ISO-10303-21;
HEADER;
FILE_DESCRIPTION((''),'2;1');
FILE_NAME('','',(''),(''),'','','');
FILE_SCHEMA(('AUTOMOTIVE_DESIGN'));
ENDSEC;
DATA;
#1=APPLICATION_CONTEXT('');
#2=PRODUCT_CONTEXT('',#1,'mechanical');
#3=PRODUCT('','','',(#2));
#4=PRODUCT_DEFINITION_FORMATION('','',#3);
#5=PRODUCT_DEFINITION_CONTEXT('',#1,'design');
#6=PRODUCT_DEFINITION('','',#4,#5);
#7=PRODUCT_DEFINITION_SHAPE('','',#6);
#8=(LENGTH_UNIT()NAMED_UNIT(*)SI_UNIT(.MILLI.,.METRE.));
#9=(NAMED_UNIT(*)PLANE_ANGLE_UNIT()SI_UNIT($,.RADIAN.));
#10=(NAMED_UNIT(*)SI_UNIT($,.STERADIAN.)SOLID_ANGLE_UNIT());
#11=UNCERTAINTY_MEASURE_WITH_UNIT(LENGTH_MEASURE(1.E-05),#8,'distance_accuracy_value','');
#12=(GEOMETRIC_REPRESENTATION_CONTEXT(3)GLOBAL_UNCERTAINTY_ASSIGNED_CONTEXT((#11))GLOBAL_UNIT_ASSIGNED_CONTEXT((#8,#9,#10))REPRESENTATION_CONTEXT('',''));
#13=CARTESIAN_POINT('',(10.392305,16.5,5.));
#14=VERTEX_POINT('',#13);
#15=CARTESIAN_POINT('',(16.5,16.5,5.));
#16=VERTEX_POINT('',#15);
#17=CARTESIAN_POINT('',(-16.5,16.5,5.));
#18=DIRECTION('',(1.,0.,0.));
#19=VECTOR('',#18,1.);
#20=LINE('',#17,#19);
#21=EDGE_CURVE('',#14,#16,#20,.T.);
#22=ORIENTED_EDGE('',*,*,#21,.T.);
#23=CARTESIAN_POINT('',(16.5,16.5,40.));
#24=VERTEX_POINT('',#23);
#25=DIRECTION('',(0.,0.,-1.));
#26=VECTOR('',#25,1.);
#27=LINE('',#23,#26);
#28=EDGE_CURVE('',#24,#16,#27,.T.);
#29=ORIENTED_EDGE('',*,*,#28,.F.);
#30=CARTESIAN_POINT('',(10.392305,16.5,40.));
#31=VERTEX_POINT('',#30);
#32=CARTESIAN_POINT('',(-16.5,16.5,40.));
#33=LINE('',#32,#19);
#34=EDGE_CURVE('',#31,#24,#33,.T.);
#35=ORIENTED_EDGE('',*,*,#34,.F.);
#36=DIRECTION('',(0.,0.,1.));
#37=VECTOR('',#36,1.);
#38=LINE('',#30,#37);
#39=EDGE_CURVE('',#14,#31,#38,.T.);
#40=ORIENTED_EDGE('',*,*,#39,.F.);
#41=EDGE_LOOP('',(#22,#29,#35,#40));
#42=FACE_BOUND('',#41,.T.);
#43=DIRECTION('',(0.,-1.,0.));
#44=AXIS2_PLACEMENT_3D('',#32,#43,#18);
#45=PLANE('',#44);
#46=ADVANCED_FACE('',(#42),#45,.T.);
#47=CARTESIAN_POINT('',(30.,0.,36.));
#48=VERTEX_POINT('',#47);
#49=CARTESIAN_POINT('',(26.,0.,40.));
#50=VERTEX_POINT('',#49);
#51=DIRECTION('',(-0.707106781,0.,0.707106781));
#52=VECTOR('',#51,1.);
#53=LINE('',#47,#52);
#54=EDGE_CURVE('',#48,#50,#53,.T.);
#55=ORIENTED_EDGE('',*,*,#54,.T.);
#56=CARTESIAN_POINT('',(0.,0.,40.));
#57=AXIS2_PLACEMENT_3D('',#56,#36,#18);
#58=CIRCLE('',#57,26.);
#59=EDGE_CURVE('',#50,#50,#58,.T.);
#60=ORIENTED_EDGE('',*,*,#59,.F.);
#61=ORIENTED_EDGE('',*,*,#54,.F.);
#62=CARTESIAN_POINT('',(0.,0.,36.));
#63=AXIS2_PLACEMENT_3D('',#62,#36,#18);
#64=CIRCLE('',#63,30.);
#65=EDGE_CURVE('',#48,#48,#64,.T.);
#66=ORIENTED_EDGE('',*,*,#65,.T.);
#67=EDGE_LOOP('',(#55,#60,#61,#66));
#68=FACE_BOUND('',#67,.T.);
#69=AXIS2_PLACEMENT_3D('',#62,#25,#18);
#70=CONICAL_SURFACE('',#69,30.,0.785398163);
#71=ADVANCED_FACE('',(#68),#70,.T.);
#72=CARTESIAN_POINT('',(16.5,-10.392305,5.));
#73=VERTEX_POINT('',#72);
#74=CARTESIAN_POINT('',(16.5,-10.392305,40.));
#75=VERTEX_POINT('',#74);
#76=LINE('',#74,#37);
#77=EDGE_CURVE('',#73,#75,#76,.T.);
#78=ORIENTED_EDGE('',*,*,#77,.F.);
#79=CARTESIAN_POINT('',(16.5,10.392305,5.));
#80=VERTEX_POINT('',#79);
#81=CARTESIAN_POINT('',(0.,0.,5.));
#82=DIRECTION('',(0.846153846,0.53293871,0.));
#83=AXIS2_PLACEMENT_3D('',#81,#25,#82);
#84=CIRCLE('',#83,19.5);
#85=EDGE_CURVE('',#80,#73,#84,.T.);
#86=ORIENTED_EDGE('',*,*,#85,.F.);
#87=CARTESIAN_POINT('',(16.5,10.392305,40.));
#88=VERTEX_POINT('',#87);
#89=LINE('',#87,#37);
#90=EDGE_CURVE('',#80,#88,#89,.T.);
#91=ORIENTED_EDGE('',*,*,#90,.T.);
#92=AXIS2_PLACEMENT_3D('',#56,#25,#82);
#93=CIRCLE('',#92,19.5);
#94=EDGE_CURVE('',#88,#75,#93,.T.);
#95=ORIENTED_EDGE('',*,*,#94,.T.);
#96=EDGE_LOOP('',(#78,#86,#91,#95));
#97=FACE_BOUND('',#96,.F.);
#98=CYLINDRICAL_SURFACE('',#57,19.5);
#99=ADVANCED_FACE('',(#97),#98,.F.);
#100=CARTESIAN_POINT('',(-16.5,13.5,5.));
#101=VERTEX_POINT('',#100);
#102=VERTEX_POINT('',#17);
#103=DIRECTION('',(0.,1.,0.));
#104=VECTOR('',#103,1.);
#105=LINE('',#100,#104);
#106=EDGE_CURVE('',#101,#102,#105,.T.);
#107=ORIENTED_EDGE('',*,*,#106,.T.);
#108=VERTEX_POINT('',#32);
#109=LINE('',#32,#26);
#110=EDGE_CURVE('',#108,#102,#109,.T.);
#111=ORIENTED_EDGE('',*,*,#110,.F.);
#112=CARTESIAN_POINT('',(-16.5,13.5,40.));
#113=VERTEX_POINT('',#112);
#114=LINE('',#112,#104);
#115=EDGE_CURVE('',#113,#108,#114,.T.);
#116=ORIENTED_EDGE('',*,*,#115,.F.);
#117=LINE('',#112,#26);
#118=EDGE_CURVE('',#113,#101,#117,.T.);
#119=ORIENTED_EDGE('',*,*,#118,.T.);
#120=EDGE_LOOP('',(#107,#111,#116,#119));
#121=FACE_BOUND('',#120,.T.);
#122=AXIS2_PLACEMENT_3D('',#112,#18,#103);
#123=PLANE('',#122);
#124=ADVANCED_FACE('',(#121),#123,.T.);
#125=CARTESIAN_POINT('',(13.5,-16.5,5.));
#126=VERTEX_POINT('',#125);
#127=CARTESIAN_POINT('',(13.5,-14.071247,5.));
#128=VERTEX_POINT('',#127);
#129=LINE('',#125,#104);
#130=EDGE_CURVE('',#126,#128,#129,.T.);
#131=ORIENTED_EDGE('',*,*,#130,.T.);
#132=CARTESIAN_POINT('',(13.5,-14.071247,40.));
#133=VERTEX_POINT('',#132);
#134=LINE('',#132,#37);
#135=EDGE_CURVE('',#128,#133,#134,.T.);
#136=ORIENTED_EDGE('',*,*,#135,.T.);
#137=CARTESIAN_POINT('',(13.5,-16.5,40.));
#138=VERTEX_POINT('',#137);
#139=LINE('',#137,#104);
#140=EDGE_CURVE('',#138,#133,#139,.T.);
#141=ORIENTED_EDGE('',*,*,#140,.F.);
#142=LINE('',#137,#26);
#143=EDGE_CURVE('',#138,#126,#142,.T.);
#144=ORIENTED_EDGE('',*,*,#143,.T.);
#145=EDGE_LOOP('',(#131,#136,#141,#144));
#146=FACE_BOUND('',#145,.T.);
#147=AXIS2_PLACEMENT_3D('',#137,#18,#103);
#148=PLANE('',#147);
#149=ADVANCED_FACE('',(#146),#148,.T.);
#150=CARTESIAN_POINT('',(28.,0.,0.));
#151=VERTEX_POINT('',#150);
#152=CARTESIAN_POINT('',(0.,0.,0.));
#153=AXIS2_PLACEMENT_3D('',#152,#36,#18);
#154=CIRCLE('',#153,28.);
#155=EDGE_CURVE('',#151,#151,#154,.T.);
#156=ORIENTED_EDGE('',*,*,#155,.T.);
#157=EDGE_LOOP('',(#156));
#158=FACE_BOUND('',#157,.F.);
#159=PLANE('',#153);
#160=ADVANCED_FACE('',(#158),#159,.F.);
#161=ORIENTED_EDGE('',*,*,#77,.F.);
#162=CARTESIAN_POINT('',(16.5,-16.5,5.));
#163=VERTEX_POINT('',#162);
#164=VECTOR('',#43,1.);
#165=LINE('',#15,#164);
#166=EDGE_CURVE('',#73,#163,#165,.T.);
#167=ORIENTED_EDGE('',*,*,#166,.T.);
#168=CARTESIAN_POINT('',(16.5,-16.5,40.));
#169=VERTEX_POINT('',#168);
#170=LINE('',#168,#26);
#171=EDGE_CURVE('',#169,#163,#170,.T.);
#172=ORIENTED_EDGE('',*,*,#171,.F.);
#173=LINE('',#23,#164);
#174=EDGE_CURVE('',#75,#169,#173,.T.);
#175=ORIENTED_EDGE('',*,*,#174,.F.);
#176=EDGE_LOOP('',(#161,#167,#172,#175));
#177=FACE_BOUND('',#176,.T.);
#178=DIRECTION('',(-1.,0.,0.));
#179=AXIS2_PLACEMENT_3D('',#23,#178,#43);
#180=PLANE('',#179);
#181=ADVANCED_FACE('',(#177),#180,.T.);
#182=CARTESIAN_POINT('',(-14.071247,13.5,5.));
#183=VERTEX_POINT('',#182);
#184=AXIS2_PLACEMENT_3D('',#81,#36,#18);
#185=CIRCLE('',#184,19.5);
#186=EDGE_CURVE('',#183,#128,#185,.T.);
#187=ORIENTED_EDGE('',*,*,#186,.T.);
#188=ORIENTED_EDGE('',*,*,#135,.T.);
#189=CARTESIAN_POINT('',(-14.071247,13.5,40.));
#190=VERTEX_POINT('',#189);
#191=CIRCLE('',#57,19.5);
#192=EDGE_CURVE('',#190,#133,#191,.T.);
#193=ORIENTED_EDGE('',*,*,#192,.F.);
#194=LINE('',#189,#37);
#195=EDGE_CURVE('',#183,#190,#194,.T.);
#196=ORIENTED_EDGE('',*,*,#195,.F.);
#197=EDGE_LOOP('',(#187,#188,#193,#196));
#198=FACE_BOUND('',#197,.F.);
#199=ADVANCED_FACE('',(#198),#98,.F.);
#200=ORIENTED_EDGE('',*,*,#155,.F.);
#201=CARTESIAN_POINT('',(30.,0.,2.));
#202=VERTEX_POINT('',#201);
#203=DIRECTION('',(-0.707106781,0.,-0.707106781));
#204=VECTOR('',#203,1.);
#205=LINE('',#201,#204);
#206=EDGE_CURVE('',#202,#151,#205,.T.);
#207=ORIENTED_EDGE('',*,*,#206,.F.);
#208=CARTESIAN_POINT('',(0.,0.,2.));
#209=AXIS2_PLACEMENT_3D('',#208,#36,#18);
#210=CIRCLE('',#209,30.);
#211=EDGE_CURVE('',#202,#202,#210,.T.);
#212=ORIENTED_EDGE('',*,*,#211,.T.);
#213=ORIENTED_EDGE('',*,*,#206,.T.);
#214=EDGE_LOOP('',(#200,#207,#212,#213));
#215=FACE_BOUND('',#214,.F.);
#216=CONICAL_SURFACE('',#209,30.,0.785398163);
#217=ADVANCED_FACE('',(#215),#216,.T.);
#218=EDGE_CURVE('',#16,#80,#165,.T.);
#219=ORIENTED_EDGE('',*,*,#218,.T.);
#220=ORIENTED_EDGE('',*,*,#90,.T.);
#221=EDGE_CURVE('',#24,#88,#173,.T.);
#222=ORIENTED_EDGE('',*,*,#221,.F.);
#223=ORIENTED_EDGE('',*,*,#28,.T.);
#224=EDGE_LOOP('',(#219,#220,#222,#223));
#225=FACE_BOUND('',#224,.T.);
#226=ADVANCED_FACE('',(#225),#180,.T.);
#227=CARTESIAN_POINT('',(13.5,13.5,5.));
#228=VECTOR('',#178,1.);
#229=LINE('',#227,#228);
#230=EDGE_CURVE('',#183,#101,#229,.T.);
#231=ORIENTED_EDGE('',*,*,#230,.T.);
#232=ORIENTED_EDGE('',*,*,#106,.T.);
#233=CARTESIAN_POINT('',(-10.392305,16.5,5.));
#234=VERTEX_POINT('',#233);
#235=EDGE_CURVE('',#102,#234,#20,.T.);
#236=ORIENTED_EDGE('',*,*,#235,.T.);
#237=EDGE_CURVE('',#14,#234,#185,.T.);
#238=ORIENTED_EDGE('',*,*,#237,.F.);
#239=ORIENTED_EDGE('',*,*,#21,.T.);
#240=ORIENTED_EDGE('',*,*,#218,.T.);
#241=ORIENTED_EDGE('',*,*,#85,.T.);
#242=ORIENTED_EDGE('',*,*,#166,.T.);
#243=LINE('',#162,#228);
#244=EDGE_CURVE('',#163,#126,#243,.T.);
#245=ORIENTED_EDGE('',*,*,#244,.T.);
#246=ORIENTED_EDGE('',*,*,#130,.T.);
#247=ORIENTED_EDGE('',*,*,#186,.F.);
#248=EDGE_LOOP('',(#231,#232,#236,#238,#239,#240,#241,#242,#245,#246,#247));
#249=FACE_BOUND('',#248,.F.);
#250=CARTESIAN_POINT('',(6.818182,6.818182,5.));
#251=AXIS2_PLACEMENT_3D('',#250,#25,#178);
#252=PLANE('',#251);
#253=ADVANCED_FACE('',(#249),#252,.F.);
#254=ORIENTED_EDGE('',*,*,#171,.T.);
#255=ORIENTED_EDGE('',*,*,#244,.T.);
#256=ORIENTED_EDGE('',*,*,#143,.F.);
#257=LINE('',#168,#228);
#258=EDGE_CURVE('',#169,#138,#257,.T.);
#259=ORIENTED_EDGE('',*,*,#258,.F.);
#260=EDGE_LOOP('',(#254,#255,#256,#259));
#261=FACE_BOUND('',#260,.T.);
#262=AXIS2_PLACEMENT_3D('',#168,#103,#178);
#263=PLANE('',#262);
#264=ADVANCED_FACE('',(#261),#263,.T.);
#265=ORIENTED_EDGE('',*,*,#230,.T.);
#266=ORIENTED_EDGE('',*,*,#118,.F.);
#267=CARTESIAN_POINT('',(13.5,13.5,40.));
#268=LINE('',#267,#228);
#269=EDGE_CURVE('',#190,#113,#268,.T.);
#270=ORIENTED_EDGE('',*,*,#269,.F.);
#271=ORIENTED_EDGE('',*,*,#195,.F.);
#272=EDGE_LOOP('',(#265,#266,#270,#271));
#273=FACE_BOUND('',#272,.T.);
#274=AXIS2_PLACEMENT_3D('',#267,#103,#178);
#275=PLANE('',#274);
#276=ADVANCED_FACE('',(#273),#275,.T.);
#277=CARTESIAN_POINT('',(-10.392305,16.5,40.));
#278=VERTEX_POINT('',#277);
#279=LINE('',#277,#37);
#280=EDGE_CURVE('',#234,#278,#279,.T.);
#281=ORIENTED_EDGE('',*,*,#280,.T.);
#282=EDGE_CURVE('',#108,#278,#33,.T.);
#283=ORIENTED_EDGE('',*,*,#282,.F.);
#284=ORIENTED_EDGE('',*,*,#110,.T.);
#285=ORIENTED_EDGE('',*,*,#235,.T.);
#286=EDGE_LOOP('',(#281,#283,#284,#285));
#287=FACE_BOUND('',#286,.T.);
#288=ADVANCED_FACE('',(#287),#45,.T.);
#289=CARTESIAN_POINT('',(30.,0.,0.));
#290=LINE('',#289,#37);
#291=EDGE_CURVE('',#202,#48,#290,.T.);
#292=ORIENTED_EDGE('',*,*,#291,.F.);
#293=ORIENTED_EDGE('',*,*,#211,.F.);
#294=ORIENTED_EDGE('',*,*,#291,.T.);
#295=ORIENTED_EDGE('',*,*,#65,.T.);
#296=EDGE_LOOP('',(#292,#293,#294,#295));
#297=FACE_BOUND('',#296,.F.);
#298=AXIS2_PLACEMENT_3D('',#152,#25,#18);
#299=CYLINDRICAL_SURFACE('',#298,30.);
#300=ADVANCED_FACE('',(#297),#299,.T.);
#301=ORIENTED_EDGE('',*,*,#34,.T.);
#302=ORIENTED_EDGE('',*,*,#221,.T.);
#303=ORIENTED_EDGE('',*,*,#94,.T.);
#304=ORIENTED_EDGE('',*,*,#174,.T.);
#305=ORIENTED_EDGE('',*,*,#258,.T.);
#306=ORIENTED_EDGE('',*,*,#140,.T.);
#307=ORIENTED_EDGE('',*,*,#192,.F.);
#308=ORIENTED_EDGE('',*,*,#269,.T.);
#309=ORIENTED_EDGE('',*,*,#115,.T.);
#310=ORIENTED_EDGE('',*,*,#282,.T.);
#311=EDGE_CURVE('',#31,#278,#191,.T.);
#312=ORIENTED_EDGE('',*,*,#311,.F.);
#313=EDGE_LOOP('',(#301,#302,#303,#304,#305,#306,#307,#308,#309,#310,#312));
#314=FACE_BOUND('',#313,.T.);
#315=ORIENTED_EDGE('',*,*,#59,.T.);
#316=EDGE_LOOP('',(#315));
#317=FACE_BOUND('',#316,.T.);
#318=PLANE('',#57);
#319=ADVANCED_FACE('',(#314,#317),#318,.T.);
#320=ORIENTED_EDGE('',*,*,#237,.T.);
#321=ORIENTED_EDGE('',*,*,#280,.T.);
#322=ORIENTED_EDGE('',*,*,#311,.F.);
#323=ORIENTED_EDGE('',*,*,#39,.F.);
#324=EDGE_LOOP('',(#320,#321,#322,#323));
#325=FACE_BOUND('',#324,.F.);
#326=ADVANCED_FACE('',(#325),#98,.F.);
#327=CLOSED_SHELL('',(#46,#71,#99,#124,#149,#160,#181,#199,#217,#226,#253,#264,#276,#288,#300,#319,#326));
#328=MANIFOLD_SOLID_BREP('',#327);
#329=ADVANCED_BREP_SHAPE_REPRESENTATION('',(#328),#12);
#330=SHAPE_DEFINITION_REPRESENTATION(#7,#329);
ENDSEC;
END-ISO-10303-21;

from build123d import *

# Parameters (mm, degrees)
SKETCH_R        = 30
PAD_DEPTH       = 40
POCKET_DEPTH    = 35
SKETCH002_R     = 19.5
POCKET001_DEPTH = 35
CHAMFER_SIZE    = 4
CHAMFER001_SIZE = 2


with BuildPart() as part:
    # Sketch → Pad (new body)
    with BuildSketch(Plane.XY):
        Circle(SKETCH_R)
    extrude(amount=PAD_DEPTH)

    # Sketch001 (on Face3 of Pad) → Pocket (cut)
    with BuildSketch(Plane.XY.offset(40)):
        Polygon((-16.5, 16.5), (16.5, 16.5), (16.5, -16.5), (13.5, -16.5), (13.5, 13.5), (-16.5, 13.5), align=None)
    extrude(amount=-POCKET_DEPTH, mode=Mode.SUBTRACT)

    # Sketch002 (on Face3 of Pocket) → Pocket001 (cut)
    with BuildSketch(Plane.XY.offset(40)):
        Circle(SKETCH002_R)
    extrude(amount=-POCKET001_DEPTH, mode=Mode.SUBTRACT)

    # Chamfer
    chamfer_edges = [part.edges().sort_by_distance(p)[0] for p in [
        (-30, 0, 40),
    ]]
    chamfer(chamfer_edges, length=CHAMFER_SIZE)

    # Chamfer001
    chamfer001_edges = [part.edges().sort_by_distance(p)[0] for p in [
        (-30, 0, 0),
    ]]
    chamfer(chamfer001_edges, length=CHAMFER001_SIZE)


solid = part.part
